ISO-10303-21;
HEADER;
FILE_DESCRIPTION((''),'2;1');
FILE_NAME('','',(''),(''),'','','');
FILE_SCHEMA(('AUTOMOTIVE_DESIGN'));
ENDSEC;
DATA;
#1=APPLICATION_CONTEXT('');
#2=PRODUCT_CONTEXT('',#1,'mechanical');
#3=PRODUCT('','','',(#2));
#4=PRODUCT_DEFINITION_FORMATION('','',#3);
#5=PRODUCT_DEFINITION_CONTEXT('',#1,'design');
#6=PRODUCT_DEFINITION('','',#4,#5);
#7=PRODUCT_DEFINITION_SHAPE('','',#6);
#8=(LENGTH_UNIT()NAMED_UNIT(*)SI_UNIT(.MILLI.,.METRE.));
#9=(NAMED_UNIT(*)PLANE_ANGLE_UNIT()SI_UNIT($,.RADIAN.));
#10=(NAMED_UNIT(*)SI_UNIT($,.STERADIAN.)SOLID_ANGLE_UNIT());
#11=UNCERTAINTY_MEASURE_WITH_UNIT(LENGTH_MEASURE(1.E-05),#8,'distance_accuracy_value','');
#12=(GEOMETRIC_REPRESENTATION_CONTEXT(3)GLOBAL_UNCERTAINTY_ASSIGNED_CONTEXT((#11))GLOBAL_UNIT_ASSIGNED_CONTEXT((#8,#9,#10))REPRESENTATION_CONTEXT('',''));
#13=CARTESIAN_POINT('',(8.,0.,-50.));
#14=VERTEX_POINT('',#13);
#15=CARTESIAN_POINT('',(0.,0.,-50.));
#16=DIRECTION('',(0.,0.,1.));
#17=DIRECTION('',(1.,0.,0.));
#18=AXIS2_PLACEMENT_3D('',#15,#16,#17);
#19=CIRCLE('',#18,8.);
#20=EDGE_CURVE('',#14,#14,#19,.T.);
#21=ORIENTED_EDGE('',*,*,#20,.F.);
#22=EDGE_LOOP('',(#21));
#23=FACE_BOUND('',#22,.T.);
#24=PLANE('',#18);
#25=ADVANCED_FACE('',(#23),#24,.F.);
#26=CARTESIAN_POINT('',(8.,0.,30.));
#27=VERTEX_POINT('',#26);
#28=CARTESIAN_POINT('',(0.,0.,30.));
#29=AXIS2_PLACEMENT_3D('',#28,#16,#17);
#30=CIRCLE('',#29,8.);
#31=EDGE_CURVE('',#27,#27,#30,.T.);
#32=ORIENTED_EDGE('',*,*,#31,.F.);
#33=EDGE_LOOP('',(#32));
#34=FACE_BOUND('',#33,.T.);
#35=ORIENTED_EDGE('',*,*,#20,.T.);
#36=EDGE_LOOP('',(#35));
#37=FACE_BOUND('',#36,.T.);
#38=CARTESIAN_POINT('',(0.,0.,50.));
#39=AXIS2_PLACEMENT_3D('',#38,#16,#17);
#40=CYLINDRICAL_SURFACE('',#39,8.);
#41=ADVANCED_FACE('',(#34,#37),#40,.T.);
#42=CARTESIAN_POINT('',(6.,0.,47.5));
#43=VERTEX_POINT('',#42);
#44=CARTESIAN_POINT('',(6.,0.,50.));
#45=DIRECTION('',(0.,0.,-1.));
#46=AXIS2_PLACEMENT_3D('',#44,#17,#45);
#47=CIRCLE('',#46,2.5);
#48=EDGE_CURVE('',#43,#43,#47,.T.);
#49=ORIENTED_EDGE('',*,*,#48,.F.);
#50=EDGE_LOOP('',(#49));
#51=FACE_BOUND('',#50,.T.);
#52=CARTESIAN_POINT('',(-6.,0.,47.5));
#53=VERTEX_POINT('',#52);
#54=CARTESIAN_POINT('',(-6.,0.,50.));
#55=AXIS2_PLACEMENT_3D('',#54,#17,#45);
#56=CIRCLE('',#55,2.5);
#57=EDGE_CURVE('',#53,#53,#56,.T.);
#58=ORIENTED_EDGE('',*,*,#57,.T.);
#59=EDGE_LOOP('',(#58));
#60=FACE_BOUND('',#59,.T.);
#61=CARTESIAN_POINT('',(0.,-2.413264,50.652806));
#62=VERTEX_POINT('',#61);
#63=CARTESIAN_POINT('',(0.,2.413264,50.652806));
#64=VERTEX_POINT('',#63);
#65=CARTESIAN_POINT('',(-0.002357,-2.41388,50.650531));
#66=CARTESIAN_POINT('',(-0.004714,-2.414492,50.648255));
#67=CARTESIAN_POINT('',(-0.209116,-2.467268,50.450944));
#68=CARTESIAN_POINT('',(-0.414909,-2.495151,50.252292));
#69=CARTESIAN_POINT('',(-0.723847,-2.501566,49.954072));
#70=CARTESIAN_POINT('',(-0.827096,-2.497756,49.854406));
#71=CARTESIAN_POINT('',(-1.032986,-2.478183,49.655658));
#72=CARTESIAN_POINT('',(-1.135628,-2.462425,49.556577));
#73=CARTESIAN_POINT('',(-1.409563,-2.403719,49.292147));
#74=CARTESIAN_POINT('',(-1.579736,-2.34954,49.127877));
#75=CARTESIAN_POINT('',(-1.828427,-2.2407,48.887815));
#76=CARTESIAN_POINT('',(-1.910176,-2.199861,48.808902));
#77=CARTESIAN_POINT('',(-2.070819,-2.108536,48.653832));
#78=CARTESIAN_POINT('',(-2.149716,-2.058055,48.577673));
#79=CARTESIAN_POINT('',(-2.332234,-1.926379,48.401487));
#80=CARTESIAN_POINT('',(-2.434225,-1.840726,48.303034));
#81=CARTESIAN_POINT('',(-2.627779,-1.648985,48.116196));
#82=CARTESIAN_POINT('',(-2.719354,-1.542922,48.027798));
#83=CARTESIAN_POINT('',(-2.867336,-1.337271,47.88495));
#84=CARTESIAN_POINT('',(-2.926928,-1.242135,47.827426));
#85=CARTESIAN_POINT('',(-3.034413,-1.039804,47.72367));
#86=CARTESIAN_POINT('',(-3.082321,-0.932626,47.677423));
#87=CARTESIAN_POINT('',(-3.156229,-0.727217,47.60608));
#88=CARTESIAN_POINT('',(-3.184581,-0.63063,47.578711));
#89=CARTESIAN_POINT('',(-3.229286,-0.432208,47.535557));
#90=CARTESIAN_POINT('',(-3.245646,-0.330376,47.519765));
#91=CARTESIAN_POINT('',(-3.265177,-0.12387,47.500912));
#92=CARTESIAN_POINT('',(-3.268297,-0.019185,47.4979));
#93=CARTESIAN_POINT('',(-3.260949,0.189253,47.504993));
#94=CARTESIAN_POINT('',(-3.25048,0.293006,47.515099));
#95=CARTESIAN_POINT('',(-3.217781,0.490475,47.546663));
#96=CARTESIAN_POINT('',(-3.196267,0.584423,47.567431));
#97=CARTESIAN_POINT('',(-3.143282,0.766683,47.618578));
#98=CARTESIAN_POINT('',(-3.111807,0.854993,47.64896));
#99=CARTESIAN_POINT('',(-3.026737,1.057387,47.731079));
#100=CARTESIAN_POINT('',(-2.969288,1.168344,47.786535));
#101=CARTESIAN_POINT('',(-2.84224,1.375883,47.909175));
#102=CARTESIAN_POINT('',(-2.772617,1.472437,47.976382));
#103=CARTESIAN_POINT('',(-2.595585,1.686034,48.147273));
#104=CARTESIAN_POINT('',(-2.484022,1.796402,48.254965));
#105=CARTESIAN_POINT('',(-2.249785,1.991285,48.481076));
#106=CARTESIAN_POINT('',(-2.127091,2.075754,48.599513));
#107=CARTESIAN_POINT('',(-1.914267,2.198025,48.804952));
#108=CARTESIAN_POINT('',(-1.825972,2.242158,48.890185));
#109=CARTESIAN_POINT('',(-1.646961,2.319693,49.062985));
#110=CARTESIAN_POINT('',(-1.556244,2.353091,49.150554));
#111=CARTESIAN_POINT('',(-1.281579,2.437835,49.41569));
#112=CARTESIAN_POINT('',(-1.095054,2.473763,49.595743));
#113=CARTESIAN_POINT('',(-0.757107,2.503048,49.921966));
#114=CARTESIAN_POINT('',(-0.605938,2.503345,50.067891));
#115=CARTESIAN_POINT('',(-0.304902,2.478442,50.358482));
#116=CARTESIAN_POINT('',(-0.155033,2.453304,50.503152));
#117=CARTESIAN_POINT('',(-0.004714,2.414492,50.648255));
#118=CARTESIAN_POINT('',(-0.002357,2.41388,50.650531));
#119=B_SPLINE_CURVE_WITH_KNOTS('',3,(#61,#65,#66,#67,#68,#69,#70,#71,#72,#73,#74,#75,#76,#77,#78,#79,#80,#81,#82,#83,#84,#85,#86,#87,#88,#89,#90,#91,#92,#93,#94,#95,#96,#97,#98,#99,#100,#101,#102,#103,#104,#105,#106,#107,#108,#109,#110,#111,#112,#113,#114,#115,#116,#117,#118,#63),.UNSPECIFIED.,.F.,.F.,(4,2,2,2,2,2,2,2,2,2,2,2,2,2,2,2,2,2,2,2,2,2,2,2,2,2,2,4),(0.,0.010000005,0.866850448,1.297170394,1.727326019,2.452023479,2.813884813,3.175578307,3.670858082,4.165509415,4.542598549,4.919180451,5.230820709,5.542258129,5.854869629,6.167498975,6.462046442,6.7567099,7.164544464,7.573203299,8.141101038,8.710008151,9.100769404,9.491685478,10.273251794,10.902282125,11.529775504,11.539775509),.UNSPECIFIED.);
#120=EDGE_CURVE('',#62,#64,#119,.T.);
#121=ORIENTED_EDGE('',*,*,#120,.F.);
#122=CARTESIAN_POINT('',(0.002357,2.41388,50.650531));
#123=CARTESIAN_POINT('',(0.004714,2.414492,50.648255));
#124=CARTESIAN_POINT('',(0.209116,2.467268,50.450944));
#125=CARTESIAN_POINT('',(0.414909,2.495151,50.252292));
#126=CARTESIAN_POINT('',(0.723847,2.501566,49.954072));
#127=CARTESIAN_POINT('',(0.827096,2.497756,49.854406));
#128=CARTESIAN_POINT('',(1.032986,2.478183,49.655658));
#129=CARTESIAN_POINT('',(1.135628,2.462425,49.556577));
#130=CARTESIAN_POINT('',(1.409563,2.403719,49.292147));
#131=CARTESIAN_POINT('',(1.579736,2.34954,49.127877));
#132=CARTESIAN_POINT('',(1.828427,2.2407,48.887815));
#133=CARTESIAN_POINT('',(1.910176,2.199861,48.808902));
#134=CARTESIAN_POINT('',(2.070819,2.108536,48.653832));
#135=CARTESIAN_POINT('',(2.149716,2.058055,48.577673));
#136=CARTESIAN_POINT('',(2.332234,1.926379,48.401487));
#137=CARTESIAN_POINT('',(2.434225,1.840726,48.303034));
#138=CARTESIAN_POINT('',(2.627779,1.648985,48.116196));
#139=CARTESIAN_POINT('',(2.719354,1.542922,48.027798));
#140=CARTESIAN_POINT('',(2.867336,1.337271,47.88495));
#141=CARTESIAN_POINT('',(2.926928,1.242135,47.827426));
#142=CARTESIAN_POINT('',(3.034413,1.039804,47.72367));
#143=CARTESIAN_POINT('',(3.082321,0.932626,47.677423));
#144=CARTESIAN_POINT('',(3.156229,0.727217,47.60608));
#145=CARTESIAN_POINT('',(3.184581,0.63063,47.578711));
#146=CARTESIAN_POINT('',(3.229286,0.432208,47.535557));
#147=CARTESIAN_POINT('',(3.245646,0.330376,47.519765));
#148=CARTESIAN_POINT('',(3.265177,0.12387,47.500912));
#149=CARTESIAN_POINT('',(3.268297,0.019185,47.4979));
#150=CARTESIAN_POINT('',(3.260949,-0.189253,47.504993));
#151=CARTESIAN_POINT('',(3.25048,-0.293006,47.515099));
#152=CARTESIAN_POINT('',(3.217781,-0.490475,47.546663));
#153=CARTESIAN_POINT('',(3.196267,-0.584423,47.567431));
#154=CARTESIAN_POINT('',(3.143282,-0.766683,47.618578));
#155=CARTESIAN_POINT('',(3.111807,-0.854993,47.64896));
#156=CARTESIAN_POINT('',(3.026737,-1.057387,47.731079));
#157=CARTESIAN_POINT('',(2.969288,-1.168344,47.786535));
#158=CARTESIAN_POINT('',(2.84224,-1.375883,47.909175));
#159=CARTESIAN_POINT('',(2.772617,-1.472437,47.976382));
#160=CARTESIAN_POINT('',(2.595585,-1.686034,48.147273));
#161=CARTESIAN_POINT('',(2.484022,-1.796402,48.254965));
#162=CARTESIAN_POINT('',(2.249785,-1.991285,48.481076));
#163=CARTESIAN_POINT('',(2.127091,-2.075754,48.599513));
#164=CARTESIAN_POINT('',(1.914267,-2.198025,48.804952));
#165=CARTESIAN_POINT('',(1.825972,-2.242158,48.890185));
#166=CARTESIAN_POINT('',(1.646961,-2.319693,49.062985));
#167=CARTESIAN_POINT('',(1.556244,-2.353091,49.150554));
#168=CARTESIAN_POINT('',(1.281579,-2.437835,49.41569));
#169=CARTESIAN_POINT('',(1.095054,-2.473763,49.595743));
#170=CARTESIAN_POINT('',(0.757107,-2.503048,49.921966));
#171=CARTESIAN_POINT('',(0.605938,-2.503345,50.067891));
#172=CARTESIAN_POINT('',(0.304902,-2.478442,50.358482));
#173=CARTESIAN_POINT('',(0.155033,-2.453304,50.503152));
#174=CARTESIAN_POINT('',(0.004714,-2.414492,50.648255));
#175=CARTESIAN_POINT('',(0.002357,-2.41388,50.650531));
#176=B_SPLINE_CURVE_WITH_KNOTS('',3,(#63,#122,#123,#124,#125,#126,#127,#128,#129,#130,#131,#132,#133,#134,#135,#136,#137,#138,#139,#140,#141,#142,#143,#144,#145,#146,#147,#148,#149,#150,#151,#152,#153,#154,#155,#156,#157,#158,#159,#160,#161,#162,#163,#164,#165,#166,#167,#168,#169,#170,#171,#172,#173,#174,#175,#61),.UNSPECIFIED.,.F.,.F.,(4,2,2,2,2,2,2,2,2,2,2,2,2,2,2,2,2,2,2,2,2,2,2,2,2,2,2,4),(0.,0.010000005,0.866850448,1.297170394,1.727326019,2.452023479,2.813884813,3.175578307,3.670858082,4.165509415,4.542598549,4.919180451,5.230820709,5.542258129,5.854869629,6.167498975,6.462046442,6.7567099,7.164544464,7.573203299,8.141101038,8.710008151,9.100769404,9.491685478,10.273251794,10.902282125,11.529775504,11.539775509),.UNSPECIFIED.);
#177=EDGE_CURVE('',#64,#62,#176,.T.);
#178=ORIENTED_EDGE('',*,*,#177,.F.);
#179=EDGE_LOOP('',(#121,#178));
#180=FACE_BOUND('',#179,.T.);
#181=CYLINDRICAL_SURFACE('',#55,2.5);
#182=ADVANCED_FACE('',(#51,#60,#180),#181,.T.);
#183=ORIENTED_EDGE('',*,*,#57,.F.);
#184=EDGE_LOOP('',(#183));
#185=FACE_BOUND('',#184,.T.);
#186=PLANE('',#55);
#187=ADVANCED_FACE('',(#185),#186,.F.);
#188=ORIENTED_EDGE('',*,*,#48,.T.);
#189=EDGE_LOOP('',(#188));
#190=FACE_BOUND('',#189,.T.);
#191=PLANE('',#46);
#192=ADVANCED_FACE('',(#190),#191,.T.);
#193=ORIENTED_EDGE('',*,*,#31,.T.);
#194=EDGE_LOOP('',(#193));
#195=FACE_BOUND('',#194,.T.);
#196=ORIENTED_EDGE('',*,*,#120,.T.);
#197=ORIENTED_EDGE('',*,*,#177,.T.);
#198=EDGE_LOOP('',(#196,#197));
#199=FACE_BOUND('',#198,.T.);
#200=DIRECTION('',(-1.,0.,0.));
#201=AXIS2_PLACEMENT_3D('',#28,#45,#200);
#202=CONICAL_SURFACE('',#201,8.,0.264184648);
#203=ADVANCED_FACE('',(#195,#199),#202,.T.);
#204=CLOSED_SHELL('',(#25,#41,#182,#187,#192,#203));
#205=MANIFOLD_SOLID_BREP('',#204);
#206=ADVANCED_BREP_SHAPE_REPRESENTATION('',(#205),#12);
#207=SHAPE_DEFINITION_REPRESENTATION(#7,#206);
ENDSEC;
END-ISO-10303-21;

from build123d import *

# Parameters (mm, degrees)
BOSS_EXTRUDE1_DEPTH      = 6
BOSS_EXTRUDE1_DEPTH_BACK = 6
SKETCH3_R                = 2.5


with BuildPart() as part:
    # Sketch2 → Revolve1 (revolve)
    with BuildSketch(Plane(origin=(0, 0, 0), x_dir=(0, 0, -1), z_dir=(1, 0, 0))):
        with BuildLine():
            Line((50, 0), (50, 8))
            Line((50, 8), (-30, 8))
            Line((-30, 8), (-50.652805728, 2.413264321))
            ThreePointArc((-50.652805728, 2.413264321), (-51.985197008, 1.519537048), (-52.5, 0))
            Line((-52.5, 0), (50, 0))
        make_face()
    revolve(axis=Axis((0, 0, 50), (0, 0, -1)))

    # Sketch3 → Boss-Extrude1 (add, two sides: drawn at the far end of the back side and taken through both)
    with BuildSketch(Plane(origin=(0, 0, 0), x_dir=(0, 0, -1), z_dir=(1, 0, 0)).offset(-BOSS_EXTRUDE1_DEPTH_BACK)):
        with Locations((-50, 0)):
            Circle(SKETCH3_R)
    extrude(amount=BOSS_EXTRUDE1_DEPTH + BOSS_EXTRUDE1_DEPTH_BACK)


solid = part.part
